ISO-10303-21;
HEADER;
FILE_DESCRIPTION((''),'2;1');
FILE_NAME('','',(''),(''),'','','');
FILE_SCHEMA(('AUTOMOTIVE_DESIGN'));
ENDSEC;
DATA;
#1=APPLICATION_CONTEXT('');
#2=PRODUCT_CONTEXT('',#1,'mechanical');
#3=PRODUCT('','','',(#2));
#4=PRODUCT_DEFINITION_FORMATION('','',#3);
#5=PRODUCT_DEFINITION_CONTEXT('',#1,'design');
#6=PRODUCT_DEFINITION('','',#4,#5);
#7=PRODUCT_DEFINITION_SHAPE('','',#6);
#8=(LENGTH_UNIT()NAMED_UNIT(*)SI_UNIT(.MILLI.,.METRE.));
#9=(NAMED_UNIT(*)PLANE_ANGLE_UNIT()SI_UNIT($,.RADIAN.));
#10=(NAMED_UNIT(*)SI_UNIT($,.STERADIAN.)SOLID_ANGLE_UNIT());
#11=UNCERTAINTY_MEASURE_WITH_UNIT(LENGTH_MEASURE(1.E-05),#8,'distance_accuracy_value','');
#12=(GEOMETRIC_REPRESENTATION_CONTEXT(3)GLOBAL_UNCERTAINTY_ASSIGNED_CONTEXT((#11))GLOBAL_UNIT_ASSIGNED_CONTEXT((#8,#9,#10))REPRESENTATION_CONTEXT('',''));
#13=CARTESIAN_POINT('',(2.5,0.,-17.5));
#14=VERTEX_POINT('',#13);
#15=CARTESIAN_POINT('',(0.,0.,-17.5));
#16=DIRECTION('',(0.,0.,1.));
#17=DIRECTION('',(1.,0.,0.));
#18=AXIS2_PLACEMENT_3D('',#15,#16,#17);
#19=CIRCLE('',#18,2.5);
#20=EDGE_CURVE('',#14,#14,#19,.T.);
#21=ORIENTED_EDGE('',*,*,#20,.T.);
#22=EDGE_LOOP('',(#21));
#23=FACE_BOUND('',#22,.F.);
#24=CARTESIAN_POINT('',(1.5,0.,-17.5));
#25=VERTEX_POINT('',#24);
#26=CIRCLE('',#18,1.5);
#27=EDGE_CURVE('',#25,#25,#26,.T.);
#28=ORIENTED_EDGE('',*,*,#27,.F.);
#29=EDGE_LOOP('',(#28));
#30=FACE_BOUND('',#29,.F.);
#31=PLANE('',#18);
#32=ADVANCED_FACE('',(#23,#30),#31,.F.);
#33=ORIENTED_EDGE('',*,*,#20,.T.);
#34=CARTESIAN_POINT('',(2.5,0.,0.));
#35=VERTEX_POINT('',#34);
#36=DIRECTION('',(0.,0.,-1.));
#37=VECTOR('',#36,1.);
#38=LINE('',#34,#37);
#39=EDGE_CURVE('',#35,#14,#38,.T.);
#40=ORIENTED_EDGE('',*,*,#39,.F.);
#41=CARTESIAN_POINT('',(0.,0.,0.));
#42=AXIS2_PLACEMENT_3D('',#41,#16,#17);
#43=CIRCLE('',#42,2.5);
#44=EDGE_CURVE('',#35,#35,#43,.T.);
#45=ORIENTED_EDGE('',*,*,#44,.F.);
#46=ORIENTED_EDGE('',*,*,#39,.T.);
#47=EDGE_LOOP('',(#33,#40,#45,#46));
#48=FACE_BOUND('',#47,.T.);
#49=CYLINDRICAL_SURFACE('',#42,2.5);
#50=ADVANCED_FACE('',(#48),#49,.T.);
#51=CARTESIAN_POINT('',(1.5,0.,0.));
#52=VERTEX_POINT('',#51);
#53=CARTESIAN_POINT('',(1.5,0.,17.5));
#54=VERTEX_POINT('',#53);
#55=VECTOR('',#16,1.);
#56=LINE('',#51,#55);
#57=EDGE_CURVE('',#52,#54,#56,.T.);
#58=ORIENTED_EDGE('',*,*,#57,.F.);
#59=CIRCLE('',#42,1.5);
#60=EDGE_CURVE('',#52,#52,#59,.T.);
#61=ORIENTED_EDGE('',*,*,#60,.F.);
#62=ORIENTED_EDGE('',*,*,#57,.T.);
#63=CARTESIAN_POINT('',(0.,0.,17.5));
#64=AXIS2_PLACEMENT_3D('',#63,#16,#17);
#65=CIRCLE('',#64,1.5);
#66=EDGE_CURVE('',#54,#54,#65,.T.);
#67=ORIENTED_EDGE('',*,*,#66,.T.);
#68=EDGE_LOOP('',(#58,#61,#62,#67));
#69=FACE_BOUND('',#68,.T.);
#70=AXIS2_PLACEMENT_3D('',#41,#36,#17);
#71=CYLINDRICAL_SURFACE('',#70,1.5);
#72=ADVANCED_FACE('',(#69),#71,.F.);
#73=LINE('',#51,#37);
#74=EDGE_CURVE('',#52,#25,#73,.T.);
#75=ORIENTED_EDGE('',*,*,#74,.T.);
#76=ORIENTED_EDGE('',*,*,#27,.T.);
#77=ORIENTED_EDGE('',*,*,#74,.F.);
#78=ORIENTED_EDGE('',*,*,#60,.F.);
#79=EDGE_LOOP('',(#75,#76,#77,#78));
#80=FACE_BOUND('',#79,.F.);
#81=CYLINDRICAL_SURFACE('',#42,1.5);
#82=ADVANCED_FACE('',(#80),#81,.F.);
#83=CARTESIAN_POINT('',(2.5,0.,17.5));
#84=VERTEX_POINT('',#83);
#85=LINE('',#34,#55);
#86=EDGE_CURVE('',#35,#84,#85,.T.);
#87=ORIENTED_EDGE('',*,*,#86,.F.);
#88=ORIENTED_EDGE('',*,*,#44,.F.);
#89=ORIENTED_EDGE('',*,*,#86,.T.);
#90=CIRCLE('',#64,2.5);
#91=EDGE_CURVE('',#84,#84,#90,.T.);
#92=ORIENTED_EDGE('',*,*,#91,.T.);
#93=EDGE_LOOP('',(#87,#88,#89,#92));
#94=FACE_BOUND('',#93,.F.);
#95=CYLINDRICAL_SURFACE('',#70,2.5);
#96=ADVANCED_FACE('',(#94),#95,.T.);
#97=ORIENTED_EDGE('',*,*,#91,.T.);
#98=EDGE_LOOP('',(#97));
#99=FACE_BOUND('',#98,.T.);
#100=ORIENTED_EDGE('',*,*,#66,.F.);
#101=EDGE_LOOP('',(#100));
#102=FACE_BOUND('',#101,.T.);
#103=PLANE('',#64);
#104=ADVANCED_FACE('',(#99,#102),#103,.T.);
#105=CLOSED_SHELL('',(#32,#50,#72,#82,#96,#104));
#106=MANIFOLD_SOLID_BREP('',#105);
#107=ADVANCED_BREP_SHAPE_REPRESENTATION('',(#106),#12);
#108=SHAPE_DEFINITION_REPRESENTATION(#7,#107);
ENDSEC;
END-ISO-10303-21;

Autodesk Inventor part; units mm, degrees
ref_plane "YZ Plane" through (0, 0, 0) normal (1, 0, 0) x (0, 1, 0)
ref_plane "XZ Plane" through (0, 0, 0) normal (0, 1, 0) x (-1, 0, 0)
ref_plane "XY Plane" through (0, 0, 0) normal (0, 0, 1) x (1, 0, 0)
sketch "Sketch1" plane through (0, 0, 0) normal (0, 0, 1) x (1, 0, 0)
  circle A0 centre (0, 0) radius 2.5
  circle A1 centre (0, 0) radius 1.5
  dimension "d0" = 5
  dimension "d1" = 3
extrude "Extrusion1" add sketch "Sketch1" along normal mid plane 35
thread "Thread1" size "M3x0.5" class "6H" standard "ANSI Metric M Profile" full length
properties part number "Spacer"
